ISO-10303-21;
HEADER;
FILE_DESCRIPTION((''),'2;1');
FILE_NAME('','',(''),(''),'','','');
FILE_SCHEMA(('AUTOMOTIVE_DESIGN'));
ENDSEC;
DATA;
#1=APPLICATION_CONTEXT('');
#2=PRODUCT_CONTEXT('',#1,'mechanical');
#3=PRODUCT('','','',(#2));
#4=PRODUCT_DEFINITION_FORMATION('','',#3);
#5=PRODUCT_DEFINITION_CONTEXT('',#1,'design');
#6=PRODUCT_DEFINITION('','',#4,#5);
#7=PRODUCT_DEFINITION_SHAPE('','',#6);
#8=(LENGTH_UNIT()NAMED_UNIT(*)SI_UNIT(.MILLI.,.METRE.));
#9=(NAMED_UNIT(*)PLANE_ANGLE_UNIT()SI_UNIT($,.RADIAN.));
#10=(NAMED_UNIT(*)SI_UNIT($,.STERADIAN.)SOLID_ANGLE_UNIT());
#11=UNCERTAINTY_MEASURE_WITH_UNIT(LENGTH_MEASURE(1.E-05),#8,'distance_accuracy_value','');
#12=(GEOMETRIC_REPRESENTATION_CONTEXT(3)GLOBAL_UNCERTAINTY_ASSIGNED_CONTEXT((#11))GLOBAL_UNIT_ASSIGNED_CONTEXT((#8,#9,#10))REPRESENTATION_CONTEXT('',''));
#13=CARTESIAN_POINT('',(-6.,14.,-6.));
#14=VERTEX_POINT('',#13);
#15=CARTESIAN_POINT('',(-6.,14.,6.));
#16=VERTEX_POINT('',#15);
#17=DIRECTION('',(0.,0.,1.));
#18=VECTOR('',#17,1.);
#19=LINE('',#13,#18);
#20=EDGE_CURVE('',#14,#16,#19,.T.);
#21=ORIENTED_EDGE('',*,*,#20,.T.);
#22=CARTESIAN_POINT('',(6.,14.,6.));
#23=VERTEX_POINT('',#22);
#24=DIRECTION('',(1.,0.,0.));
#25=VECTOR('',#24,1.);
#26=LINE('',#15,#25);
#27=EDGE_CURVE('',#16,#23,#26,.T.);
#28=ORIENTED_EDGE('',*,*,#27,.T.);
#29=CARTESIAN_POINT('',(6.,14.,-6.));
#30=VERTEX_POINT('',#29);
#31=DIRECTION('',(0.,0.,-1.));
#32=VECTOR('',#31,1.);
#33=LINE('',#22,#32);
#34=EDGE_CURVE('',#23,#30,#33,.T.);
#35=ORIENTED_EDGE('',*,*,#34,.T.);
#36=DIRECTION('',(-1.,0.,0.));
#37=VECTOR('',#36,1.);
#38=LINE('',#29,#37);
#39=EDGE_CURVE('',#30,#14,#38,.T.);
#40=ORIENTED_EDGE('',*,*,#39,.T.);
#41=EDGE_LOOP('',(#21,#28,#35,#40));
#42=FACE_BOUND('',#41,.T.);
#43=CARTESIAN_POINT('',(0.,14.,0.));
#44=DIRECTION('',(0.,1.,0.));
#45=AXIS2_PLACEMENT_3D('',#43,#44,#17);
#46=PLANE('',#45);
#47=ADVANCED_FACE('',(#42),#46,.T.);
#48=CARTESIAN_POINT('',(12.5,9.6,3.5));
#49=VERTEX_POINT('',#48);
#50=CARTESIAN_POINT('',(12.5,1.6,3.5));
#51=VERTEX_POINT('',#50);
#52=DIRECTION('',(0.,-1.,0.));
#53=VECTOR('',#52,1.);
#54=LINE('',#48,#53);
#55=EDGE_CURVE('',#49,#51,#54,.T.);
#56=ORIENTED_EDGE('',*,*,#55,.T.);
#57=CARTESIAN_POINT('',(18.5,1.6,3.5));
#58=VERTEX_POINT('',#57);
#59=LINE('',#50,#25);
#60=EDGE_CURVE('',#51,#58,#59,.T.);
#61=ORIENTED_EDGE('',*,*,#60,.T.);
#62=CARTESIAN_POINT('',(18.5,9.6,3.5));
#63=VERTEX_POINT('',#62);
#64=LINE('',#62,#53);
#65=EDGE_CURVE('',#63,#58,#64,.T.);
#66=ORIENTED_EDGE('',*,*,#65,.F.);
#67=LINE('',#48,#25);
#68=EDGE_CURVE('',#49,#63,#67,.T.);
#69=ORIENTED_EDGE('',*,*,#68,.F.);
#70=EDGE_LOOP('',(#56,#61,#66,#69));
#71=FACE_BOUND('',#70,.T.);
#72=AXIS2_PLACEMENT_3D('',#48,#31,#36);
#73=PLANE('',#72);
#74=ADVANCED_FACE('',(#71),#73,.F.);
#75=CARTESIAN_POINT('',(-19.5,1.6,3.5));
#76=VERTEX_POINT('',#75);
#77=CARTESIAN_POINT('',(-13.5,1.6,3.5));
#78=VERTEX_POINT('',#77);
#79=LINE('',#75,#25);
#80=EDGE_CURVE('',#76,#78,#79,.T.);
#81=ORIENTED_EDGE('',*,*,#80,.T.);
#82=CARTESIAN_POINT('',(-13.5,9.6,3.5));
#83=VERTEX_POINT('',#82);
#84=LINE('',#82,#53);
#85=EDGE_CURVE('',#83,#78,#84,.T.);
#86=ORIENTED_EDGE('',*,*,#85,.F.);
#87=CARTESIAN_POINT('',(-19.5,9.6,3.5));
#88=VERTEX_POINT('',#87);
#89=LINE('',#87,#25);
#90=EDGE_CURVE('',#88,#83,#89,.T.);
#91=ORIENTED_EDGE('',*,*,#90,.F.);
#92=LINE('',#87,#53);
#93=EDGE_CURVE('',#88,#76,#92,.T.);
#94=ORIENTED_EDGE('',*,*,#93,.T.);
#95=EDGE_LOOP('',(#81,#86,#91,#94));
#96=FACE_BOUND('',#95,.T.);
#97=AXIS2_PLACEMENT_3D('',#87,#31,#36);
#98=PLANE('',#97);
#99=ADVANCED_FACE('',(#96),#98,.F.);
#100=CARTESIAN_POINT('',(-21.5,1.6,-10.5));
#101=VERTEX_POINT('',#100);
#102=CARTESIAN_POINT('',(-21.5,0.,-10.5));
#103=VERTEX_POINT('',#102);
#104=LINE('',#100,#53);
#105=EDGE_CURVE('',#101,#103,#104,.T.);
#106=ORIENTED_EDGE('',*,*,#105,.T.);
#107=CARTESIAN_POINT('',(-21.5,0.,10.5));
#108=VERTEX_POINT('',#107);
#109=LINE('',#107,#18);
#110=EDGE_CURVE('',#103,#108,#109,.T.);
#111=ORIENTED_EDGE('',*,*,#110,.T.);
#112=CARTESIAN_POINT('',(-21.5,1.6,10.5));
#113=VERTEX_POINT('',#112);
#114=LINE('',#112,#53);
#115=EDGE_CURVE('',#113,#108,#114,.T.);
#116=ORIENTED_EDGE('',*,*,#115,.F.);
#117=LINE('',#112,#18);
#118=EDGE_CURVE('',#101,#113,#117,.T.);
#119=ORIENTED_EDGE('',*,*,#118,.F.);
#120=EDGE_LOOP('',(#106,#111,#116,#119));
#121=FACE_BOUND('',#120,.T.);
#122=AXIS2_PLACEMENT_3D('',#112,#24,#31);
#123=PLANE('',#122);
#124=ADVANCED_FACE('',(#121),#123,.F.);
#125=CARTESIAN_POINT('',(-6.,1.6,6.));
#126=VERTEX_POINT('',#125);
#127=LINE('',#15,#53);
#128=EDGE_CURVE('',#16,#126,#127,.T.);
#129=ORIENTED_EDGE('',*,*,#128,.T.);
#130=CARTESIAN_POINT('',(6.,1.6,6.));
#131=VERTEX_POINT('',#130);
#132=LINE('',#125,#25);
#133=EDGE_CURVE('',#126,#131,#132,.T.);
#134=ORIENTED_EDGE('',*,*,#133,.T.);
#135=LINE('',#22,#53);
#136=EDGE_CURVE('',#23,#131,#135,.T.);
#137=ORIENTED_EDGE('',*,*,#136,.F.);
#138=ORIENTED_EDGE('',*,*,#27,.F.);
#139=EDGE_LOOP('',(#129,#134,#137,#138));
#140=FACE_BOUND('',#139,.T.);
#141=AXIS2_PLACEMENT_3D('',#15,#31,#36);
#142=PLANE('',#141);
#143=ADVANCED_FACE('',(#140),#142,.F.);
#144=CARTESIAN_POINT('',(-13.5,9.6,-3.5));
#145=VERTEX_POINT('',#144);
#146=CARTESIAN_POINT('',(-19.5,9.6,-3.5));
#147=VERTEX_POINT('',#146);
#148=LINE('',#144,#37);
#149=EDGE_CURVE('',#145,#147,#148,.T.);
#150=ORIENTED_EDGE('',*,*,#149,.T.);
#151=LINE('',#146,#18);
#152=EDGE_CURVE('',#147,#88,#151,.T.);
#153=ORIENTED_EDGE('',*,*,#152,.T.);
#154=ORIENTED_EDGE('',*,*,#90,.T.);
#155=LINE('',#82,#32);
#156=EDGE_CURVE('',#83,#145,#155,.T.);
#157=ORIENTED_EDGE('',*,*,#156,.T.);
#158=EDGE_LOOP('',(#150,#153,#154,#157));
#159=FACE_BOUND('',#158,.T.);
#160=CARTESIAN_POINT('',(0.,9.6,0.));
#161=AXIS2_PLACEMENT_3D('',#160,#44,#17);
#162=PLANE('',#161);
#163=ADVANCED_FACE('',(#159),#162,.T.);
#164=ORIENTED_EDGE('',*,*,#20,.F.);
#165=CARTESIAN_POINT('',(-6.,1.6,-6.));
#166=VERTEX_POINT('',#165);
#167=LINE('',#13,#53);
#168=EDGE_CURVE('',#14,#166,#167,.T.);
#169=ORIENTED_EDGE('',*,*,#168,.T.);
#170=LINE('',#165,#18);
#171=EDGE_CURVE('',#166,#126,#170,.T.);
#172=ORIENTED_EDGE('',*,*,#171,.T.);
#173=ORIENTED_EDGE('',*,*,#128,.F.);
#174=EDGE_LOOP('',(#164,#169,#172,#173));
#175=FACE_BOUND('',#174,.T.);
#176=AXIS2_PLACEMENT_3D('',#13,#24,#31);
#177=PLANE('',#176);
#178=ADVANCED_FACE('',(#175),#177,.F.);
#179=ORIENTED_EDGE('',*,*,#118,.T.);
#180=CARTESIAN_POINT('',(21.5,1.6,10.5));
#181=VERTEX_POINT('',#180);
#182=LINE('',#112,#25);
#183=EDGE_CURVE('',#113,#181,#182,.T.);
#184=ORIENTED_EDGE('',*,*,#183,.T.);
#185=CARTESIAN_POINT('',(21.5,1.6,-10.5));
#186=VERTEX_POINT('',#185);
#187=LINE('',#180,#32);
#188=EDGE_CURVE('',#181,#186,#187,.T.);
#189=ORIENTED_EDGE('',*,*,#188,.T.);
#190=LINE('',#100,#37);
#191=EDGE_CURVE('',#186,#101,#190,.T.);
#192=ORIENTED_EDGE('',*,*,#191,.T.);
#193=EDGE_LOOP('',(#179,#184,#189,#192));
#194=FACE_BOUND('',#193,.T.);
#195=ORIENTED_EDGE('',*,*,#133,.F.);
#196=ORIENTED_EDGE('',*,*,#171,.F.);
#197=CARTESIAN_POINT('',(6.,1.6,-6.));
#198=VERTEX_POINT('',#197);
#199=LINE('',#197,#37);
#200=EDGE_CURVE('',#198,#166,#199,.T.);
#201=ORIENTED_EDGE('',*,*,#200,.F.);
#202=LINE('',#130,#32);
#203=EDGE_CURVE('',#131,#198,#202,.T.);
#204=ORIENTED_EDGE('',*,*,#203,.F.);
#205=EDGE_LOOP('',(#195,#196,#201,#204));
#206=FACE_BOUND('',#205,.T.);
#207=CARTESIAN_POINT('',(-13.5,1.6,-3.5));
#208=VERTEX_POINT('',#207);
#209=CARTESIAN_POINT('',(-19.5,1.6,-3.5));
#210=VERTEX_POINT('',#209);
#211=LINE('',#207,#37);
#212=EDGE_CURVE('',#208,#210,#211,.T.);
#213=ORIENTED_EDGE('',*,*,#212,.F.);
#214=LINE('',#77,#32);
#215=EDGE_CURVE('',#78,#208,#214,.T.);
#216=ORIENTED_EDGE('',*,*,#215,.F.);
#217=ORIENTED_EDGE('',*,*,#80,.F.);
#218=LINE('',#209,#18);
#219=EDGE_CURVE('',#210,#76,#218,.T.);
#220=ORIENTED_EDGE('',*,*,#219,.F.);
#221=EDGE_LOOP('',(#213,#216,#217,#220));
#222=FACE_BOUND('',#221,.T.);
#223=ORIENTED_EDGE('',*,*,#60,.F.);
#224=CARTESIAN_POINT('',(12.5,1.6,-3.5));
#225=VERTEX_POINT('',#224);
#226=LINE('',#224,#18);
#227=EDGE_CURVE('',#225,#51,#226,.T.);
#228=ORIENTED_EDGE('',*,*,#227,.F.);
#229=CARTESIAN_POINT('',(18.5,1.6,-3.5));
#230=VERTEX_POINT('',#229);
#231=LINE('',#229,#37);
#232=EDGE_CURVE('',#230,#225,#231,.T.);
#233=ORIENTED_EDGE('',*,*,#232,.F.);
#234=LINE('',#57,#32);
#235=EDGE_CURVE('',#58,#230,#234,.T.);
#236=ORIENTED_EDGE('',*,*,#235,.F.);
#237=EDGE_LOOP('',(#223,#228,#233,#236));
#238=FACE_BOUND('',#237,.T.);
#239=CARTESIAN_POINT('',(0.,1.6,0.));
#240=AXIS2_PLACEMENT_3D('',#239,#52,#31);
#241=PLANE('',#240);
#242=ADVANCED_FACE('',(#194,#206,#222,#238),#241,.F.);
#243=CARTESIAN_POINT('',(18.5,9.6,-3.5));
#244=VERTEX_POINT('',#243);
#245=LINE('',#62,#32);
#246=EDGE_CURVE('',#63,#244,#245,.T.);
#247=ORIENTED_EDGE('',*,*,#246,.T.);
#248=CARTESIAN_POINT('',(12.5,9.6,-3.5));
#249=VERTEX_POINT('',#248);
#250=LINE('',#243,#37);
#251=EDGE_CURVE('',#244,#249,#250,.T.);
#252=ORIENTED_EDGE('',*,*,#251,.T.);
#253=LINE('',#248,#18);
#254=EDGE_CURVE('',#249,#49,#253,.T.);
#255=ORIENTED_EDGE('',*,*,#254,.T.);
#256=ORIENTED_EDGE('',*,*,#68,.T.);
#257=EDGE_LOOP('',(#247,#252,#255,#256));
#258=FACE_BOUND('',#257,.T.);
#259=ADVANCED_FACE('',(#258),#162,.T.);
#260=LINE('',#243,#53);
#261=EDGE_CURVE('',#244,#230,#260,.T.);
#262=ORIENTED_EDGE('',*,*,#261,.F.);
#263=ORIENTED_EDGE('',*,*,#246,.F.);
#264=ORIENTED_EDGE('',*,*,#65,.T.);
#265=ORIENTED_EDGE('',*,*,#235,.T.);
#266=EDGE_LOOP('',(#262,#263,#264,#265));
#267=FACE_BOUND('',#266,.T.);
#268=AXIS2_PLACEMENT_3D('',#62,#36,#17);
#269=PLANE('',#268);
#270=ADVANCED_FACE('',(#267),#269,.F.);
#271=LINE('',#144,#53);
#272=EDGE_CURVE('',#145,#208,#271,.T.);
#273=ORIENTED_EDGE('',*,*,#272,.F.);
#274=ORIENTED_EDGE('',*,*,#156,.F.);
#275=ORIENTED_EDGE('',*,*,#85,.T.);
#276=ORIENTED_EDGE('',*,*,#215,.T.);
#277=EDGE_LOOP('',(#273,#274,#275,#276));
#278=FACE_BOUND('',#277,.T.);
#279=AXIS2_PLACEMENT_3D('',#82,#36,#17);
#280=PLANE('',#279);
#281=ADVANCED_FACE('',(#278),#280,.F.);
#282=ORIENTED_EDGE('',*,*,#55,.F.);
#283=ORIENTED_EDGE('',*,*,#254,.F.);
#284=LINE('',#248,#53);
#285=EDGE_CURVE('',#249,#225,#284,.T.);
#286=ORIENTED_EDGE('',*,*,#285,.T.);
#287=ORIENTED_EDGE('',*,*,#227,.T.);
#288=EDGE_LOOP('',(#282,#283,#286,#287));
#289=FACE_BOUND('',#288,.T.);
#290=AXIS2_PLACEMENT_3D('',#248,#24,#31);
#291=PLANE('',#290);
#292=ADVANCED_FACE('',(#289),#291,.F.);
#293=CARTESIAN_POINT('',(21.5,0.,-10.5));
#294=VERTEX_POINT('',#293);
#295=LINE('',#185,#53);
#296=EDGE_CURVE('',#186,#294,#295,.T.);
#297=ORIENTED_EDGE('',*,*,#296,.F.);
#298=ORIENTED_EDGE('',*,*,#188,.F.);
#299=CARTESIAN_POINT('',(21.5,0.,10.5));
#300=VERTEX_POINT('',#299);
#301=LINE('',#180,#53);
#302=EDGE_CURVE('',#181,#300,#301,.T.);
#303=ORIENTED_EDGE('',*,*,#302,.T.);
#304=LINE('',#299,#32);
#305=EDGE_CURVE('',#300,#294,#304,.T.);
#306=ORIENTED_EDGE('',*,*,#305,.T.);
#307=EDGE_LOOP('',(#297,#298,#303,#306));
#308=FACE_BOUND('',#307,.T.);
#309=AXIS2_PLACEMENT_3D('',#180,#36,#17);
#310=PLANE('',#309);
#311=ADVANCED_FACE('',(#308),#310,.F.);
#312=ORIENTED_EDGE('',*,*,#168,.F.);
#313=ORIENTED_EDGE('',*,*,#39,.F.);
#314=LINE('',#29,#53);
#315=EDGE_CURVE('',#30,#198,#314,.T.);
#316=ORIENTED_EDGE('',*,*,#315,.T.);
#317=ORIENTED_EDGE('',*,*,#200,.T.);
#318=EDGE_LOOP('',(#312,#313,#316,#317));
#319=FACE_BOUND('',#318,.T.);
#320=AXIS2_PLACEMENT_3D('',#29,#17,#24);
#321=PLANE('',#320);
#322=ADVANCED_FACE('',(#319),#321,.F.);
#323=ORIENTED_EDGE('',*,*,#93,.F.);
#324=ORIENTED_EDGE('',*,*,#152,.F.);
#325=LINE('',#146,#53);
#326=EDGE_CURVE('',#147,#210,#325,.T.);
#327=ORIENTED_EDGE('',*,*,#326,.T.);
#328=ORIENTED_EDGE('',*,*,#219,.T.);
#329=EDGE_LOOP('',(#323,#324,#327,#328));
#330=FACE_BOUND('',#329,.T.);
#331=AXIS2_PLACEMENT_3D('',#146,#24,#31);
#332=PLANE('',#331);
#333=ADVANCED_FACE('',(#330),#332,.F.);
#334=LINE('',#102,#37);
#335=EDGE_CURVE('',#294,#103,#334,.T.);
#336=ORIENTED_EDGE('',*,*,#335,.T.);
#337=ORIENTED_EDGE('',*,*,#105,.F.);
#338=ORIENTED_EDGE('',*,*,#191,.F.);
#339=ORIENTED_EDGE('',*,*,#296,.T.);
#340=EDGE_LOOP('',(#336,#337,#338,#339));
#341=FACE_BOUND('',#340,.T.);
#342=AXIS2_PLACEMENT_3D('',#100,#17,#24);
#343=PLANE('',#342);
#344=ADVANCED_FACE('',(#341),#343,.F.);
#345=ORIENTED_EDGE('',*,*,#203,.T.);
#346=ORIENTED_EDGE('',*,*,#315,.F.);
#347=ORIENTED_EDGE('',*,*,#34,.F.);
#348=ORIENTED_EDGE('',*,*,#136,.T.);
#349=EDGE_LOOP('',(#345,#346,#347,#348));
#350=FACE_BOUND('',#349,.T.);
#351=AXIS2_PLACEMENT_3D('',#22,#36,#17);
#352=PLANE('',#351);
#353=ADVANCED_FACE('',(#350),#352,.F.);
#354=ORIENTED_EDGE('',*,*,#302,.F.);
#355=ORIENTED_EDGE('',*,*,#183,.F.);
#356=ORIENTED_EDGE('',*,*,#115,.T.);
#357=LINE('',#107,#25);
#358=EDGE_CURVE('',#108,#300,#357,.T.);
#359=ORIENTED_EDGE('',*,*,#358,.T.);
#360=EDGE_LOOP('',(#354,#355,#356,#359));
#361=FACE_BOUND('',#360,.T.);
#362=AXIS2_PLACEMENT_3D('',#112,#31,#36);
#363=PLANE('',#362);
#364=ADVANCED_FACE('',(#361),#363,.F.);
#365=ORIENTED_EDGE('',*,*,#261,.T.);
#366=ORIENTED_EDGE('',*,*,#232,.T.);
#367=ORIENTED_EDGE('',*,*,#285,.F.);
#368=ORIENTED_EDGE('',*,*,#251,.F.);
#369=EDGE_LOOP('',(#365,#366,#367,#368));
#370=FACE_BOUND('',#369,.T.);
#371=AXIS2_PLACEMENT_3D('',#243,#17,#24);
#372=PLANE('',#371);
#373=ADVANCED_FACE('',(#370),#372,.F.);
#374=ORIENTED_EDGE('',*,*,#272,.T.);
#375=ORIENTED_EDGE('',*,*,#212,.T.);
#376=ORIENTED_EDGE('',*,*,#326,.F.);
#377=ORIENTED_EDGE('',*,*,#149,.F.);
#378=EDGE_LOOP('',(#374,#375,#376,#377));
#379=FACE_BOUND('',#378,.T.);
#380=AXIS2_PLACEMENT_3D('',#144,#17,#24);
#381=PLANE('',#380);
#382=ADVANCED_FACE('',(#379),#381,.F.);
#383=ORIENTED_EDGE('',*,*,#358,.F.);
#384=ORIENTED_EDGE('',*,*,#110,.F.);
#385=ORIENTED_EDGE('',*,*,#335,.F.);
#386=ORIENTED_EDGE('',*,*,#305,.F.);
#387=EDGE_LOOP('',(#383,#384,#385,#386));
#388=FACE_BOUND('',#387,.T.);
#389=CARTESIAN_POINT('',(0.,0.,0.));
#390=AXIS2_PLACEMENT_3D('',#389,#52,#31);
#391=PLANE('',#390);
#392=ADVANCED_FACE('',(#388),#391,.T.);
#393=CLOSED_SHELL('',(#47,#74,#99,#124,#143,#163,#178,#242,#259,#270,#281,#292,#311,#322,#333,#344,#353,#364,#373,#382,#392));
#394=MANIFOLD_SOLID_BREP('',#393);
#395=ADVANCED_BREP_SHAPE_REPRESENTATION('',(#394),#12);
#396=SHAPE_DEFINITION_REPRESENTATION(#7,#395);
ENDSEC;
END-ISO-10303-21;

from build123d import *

# Parameters (mm, degrees)
SKETCH1_W        = 43
SKETCH1_H        = 21
BOARD_DEPTH      = 1.6
INDUCTOR_START   = 1.6
SKETCH2_W        = 12
SKETCH2_H        = 12
INDUCTOR_DEPTH   = 12.4
INPUT_CAP_START  = 1.6
SKETCH3_W        = 6
SKETCH3_H        = 7
INPUT_CAP_DEPTH  = 8
OUTPUT_CAP_START = 1.6
SKETCH4_W        = 6
SKETCH4_H        = 7
OUTPUT_CAP_DEPTH = 8


with BuildPart() as part:
    # Sketch1 → Board (new body)
    with BuildSketch(Plane(origin=(0, 0, 0), x_dir=(1, 0, 0), z_dir=(0, 1, 0))):
        Rectangle(SKETCH1_W, SKETCH1_H)
    extrude(amount=BOARD_DEPTH)

    # Sketch2 → Inductor (add)
    with BuildSketch(Plane(origin=(0, 0, 0), x_dir=(1, 0, 0), z_dir=(0, 1, 0)).offset(INDUCTOR_START)):
        Rectangle(SKETCH2_W, SKETCH2_H)
    extrude(amount=INDUCTOR_DEPTH)

    # Sketch3 → Input_Cap (add)
    with BuildSketch(Plane(origin=(0, 0, 0), x_dir=(1, 0, 0), z_dir=(0, 1, 0)).offset(INPUT_CAP_START)):
        with Locations((-16.5, 0)):
            Rectangle(SKETCH3_W, SKETCH3_H)
    extrude(amount=INPUT_CAP_DEPTH)

    # Sketch4 → Output_Cap (add)
    with BuildSketch(Plane(origin=(0, 0, 0), x_dir=(1, 0, 0), z_dir=(0, 1, 0)).offset(OUTPUT_CAP_START)):
        with Locations((15.5, 0)):
            Rectangle(SKETCH4_W, SKETCH4_H)
    extrude(amount=OUTPUT_CAP_DEPTH)


solid = part.part
